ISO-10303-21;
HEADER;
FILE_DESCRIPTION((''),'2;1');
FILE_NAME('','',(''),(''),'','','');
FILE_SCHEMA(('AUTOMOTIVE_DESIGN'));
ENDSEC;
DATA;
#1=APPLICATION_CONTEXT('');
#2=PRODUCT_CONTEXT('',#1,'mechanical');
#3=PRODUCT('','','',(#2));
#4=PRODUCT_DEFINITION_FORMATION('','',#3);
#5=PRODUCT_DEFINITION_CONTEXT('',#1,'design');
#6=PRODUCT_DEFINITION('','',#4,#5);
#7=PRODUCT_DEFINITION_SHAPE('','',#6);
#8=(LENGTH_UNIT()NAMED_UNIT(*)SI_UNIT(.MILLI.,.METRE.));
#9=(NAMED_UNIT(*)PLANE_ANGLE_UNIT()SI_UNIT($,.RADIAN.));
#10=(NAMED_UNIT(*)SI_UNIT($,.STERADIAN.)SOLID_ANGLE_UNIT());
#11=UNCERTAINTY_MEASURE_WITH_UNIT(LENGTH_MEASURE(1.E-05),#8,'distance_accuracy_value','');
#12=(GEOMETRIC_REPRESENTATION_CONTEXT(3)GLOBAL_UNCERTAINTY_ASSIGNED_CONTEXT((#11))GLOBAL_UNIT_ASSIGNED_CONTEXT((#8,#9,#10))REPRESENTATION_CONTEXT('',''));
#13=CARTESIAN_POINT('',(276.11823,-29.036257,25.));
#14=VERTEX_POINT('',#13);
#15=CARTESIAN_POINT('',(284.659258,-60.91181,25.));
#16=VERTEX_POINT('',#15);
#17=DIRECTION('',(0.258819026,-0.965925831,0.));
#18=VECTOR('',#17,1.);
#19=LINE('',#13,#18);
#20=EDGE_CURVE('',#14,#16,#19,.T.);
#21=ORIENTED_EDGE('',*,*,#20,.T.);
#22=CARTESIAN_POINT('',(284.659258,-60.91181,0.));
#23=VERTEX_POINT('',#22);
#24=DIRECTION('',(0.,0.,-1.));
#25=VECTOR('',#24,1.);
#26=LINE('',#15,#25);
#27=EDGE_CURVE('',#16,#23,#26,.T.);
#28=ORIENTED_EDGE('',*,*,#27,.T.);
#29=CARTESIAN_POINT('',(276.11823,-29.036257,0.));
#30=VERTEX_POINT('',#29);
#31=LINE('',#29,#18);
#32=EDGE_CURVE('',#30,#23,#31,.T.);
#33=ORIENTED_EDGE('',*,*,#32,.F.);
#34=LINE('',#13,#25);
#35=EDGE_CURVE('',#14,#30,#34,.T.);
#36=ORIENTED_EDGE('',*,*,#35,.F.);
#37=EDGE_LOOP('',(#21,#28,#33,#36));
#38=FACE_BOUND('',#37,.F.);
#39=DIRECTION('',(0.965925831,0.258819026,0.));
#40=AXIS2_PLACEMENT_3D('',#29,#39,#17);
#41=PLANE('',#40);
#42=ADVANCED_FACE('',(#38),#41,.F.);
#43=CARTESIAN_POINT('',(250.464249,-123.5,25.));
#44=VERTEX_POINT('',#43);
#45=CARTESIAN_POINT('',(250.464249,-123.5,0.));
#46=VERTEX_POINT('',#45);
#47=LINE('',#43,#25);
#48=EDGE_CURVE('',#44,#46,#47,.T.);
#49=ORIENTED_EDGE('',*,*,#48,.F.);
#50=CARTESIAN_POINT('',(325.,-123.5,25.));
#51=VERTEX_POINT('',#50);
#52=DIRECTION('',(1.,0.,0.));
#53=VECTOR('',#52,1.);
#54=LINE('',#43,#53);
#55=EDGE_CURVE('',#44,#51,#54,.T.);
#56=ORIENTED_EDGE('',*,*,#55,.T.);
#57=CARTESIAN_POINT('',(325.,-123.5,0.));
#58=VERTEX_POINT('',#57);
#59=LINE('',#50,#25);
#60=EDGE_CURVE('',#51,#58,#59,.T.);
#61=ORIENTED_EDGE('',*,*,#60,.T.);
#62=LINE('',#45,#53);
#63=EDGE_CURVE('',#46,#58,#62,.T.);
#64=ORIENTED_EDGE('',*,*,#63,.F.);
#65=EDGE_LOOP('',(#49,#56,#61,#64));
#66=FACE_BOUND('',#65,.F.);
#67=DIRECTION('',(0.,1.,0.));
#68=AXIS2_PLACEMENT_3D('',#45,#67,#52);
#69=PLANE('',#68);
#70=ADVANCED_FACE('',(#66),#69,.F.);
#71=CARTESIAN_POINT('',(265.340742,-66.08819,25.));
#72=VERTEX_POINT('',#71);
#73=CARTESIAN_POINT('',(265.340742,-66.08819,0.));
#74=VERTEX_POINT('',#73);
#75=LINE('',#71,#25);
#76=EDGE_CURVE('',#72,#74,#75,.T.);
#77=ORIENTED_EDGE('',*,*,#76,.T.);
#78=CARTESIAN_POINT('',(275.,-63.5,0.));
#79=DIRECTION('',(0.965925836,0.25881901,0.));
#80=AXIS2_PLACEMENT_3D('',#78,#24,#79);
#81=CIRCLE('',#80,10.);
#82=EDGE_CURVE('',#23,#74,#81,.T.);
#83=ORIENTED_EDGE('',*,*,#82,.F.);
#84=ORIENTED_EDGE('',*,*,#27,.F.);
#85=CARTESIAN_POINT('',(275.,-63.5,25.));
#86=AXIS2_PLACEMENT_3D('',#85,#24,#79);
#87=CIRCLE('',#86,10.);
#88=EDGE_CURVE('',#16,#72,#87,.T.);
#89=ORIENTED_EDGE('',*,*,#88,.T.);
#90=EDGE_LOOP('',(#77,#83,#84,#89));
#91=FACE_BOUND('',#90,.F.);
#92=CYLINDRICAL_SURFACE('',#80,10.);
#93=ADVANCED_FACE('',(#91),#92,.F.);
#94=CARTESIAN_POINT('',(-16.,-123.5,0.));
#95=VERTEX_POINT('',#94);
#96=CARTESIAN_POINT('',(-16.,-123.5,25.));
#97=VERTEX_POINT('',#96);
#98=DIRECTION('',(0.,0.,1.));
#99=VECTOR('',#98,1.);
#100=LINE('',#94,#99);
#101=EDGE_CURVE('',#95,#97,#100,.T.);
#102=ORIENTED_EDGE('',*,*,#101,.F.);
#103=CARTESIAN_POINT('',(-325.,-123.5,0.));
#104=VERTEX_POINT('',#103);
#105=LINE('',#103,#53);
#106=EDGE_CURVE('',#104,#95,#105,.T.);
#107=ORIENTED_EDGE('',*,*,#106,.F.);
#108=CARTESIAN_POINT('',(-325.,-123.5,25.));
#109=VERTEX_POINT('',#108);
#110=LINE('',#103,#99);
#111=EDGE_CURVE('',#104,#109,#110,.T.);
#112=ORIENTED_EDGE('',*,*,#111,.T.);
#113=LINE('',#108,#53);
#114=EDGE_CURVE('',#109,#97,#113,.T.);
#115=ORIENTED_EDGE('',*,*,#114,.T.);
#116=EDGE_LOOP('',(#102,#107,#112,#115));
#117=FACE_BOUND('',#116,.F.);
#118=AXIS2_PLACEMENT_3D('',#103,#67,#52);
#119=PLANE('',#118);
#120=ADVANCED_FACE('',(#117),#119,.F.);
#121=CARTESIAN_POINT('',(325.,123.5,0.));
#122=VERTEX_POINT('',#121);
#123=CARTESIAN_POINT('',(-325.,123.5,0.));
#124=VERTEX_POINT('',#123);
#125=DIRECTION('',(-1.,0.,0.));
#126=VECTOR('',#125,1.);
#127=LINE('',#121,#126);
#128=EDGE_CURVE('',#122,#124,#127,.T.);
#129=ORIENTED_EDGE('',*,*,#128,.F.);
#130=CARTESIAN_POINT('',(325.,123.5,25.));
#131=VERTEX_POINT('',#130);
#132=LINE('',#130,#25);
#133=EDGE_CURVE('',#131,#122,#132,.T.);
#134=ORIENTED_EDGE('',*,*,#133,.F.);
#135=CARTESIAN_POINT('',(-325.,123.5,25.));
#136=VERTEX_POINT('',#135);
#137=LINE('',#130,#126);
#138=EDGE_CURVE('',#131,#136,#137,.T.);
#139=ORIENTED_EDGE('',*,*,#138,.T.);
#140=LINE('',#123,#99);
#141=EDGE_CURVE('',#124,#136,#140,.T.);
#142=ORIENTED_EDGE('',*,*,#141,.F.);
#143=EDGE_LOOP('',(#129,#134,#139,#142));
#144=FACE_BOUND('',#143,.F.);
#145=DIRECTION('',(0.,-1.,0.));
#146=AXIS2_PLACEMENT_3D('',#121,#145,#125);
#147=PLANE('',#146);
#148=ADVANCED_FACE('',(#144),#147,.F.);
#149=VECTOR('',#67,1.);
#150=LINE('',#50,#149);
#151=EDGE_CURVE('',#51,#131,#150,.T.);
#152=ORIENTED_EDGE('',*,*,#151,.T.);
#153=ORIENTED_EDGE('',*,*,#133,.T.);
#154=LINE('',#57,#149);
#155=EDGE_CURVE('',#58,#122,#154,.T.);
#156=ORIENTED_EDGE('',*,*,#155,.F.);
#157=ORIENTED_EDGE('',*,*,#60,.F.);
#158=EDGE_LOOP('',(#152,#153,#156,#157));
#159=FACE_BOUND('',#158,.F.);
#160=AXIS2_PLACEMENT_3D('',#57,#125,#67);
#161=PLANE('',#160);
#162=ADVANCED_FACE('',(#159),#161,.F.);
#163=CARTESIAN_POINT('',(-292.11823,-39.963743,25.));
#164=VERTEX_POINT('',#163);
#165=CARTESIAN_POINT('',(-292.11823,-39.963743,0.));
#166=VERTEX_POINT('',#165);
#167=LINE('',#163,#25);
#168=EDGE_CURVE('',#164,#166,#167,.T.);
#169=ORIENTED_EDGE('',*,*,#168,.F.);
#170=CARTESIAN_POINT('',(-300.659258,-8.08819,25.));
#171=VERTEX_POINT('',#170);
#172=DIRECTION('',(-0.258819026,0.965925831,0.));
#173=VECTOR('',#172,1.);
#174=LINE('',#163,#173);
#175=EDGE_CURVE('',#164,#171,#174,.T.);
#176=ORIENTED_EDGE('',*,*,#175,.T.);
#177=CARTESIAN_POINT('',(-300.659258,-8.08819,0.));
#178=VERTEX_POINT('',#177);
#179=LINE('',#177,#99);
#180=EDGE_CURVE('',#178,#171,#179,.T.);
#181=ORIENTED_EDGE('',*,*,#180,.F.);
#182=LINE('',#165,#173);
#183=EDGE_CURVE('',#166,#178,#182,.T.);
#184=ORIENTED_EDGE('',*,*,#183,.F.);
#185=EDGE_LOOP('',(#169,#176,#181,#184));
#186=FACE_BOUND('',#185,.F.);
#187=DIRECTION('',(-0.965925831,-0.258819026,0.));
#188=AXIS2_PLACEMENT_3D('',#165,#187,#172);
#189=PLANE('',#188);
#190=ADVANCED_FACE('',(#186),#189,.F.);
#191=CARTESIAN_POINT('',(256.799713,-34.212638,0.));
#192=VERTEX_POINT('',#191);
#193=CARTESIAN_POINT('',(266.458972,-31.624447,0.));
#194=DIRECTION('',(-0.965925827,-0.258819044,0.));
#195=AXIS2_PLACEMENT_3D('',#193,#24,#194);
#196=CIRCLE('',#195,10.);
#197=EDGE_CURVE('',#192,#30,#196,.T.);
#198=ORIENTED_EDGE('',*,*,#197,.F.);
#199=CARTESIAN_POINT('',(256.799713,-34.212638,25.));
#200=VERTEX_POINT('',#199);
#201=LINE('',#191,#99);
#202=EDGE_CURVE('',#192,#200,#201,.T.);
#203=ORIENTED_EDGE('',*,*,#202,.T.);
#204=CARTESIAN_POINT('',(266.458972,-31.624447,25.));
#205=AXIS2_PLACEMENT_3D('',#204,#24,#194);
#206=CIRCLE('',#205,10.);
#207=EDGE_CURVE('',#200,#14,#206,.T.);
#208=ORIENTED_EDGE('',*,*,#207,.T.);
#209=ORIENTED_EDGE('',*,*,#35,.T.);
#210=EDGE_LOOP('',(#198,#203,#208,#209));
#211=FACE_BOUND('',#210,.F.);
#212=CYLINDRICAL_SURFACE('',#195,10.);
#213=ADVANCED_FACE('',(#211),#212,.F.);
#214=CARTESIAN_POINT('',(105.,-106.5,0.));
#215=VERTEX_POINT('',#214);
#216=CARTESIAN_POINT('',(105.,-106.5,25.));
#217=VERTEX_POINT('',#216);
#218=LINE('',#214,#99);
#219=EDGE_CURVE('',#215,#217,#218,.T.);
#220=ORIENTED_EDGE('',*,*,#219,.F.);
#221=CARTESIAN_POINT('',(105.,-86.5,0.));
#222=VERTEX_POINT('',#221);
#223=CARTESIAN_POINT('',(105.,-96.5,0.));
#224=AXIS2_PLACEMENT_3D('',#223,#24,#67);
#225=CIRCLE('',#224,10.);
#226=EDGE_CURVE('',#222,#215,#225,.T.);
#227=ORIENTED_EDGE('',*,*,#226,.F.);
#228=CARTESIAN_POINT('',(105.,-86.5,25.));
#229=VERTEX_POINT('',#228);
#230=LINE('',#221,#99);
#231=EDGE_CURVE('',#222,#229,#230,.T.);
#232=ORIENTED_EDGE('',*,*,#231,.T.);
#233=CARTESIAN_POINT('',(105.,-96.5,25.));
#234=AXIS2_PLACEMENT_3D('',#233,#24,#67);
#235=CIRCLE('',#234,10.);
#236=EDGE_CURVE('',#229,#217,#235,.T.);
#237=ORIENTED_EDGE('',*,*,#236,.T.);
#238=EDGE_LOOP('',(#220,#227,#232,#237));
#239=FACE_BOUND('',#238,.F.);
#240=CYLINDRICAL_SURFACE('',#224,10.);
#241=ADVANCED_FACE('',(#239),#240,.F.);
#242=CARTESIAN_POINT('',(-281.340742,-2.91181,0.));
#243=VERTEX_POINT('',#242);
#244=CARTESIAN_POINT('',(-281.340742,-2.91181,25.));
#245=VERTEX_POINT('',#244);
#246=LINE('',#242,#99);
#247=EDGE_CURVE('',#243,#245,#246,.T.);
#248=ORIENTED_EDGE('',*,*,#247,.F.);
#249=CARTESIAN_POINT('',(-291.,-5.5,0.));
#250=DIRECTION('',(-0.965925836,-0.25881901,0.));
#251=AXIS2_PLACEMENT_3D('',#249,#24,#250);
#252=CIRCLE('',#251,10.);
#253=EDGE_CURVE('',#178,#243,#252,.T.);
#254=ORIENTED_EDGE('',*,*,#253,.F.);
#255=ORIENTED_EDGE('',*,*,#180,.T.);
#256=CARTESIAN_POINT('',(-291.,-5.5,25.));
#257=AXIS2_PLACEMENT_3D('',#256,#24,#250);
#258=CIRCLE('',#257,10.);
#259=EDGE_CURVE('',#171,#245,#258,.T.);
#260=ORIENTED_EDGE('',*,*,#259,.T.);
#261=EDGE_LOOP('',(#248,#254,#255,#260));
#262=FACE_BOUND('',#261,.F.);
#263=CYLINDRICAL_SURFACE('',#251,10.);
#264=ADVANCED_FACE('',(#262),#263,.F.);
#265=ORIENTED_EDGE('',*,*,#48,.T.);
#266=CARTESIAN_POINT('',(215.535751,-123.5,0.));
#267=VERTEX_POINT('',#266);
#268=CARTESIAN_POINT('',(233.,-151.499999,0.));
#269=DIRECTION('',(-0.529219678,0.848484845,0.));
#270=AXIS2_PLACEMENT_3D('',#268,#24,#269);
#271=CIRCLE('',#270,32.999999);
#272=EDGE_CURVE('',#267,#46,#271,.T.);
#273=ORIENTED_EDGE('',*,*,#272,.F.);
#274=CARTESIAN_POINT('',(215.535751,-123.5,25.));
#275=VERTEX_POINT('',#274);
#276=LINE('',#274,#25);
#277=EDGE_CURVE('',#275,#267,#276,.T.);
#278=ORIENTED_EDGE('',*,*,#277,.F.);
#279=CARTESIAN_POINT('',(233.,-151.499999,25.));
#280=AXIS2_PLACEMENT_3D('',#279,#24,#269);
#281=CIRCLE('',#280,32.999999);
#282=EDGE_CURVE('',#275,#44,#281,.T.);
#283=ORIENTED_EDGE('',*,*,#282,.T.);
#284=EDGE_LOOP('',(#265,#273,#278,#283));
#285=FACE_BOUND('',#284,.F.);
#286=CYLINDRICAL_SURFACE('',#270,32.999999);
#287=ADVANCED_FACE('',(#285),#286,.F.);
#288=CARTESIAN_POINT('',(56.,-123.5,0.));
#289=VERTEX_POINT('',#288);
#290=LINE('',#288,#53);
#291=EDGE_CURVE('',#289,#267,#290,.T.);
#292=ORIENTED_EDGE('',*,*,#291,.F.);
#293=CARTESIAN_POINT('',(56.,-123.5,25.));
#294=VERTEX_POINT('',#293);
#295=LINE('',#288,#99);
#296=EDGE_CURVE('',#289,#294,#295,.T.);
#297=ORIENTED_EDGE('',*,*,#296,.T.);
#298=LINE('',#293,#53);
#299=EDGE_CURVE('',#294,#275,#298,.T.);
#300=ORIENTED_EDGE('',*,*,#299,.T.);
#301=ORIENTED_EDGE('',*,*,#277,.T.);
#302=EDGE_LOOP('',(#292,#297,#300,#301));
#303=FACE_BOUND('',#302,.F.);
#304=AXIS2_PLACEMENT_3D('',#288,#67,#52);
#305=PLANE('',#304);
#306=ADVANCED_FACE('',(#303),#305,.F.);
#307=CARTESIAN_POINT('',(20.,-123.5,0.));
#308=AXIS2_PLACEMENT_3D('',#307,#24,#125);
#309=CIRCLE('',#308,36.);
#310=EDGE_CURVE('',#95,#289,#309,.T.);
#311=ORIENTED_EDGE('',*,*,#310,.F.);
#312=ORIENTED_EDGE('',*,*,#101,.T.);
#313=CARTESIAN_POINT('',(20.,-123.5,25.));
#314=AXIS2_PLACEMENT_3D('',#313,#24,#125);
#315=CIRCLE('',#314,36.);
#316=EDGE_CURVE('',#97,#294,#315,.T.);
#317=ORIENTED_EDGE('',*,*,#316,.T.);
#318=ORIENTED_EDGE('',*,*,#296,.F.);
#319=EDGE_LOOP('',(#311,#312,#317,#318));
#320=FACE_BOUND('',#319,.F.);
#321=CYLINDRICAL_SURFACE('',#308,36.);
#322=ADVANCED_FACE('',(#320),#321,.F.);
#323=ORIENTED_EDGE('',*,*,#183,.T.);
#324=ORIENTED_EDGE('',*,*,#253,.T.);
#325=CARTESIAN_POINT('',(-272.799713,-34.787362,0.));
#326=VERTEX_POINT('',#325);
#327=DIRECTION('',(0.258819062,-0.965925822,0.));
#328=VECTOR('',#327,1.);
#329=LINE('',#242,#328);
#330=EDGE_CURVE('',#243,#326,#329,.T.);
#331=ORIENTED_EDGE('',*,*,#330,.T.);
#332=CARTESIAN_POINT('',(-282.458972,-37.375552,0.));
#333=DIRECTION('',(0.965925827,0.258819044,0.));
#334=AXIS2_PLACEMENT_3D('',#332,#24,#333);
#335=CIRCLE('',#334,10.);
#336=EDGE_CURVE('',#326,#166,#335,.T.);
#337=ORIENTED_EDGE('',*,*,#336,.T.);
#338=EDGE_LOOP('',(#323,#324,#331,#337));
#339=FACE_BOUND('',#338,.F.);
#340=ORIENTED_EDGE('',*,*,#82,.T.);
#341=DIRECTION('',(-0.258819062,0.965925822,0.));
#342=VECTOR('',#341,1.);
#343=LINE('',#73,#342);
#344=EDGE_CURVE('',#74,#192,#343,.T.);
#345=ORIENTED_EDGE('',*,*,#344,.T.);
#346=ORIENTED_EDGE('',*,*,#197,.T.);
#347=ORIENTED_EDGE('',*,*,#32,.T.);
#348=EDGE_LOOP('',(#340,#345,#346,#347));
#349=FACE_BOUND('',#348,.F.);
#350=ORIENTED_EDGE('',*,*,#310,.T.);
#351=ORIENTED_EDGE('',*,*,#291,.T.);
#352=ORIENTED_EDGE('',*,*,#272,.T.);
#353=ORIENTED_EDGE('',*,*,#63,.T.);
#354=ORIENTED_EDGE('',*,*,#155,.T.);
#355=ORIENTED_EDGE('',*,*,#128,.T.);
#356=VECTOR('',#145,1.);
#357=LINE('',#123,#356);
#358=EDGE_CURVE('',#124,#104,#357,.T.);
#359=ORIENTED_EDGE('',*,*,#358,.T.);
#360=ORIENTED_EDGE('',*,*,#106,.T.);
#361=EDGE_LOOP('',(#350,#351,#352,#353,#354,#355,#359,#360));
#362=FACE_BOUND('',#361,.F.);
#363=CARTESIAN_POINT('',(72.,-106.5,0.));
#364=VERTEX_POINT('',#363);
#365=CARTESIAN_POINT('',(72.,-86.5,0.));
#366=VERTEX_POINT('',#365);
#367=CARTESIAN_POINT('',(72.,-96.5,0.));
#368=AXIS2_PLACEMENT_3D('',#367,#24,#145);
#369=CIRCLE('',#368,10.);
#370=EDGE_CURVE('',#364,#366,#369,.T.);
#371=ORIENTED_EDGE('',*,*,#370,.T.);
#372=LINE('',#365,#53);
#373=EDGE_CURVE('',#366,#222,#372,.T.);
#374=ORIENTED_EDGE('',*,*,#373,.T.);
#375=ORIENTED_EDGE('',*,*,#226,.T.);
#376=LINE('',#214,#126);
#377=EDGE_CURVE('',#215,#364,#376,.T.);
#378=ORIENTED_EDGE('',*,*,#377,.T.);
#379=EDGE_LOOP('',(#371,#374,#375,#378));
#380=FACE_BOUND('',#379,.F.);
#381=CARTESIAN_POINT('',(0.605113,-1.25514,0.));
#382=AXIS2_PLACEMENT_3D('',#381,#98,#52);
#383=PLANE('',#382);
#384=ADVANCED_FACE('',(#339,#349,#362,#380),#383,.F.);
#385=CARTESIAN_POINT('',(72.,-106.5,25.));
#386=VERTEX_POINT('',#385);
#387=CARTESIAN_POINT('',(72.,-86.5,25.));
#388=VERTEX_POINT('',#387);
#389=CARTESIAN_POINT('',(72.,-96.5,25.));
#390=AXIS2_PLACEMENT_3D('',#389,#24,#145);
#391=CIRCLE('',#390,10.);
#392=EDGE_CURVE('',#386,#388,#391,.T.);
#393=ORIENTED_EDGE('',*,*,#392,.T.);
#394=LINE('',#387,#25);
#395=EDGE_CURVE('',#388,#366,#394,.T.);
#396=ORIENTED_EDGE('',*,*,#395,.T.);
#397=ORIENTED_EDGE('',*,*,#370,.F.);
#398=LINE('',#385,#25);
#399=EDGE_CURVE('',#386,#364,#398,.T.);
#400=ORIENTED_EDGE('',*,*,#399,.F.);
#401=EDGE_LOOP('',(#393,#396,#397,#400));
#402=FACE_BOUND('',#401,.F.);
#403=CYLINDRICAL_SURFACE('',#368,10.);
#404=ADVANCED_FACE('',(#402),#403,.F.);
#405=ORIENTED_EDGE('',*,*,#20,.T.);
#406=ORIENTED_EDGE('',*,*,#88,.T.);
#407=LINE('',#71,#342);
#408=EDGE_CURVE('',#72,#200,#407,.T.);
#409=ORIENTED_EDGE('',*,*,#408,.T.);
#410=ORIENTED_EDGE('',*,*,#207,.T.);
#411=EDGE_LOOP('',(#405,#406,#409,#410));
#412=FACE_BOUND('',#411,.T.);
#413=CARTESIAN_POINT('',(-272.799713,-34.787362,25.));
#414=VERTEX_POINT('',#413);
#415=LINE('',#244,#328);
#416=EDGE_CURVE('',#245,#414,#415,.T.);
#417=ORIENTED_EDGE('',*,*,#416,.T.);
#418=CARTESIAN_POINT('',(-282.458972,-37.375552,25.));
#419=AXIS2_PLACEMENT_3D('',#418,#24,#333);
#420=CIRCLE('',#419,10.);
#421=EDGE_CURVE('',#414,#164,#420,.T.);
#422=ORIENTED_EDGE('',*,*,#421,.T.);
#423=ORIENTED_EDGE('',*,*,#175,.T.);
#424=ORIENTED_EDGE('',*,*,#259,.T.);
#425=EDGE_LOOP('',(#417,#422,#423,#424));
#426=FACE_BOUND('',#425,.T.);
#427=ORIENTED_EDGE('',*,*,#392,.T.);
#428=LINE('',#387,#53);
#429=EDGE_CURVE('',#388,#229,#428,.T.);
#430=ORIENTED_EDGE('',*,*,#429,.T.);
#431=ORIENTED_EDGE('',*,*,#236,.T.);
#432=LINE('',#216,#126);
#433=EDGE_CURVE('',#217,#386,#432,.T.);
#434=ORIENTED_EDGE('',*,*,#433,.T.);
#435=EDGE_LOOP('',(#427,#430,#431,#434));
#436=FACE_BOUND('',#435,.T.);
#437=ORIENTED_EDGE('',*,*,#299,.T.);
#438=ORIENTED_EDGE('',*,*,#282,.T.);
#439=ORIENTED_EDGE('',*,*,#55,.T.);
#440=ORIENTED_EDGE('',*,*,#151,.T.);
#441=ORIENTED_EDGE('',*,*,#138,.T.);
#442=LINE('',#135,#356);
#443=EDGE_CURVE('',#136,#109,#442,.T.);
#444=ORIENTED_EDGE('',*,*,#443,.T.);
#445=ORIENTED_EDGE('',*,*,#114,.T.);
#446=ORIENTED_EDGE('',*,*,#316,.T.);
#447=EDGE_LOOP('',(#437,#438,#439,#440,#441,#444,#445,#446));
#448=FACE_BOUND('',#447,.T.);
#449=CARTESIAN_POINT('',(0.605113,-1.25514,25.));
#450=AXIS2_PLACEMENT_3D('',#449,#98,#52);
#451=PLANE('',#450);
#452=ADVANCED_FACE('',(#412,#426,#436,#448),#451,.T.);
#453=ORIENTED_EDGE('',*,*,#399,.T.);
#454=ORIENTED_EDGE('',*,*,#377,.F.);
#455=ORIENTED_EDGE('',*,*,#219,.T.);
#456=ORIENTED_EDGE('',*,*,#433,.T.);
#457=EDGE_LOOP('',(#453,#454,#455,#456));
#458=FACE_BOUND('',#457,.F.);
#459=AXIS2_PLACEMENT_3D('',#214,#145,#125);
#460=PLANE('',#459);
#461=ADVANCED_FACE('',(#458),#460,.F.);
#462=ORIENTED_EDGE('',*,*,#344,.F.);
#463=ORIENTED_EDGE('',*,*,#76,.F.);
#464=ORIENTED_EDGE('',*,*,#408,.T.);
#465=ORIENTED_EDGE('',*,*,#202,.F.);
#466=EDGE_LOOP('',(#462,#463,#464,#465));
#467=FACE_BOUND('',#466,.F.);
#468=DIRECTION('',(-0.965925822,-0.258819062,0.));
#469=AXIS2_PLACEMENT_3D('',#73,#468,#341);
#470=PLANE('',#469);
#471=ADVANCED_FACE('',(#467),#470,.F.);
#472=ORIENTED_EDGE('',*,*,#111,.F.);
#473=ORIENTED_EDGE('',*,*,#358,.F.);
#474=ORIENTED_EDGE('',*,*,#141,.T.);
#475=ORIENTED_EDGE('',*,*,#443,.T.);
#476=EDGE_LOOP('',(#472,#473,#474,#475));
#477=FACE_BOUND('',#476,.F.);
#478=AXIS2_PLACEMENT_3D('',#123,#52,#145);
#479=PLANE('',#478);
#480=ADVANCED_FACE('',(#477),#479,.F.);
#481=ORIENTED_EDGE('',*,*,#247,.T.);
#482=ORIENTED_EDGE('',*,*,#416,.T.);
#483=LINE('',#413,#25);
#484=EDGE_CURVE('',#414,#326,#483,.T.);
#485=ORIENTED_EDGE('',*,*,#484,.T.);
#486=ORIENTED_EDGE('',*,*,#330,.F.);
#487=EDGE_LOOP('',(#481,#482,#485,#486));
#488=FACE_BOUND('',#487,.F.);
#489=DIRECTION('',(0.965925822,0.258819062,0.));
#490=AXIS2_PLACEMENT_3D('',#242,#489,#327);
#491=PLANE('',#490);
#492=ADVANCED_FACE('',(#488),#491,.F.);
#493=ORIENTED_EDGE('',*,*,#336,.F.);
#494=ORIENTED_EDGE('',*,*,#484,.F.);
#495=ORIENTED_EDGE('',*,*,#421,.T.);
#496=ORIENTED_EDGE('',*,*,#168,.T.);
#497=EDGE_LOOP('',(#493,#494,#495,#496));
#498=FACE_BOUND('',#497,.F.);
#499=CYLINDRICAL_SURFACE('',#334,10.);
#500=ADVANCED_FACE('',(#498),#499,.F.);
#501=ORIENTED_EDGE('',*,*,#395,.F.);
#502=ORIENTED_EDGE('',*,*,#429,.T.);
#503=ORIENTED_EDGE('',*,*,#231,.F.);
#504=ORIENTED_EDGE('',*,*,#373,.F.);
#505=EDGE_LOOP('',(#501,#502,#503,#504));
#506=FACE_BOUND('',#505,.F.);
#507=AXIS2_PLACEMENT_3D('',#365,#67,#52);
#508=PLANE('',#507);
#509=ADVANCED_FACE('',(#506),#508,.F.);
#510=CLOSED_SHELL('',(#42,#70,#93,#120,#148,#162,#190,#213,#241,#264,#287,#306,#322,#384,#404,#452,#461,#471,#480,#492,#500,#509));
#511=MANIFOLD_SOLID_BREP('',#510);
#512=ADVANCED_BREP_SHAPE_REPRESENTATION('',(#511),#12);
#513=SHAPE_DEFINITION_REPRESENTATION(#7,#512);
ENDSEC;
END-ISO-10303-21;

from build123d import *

# Parameters (mm, degrees)
F1_DEPTH = 20
F2_DEPTH = 25


with BuildPart() as f1:
    # F0 (on Top) → F1 (new body)
    with BuildSketch(Plane.XY):
        with BuildLine():
            Line((325, 123.5), (-325, 123.5))
            Line((-325, 123.5), (-325, -123.5))
            Line((-325, -123.5), (-16, -123.5))
            ThreePointArc((-16, -123.5), (20, -87.5), (56, -123.5))
            Line((56, -123.5), (215.535751, -123.5))
            ThreePointArc((215.535751, -123.5), (233, -118.5), (250.464249, -123.5))
            Line((250.464249, -123.5), (325, -123.5))
            Line((325, -123.5), (325, 123.5))
        make_face()
        with BuildLine():
            ThreePointArc((-300.659258, -8.08819), (-293.58819, 4.159258), (-281.340742, -2.91181))
            Line((-281.340742, -2.91181), (-272.799713, -34.787362))
            ThreePointArc((-272.799713, -34.787362), (-279.870781, -47.034811), (-292.11823, -39.963743))
            Line((-292.11823, -39.963743), (-300.659258, -8.08819))
        make_face(mode=Mode.SUBTRACT)
        with BuildLine():
            ThreePointArc((105, -86.5), (115, -96.5), (105, -106.5))
            Line((105, -106.5), (72, -106.5))
            ThreePointArc((72, -106.5), (62, -96.5), (72, -86.5))
            Line((72, -86.5), (105, -86.5))
        make_face(mode=Mode.SUBTRACT)
        with BuildLine():
            ThreePointArc((256.799713, -34.212638), (263.870781, -21.965189), (276.11823, -29.036257))
            Line((276.11823, -29.036257), (284.659258, -60.91181))
            ThreePointArc((284.659258, -60.91181), (277.58819, -73.159258), (265.340742, -66.08819))
            Line((265.340742, -66.08819), (256.799713, -34.212638))
        make_face(mode=Mode.SUBTRACT)
    extrude(amount=F1_DEPTH)

    # F0 (on Top) → F2 (join)
    with BuildSketch(Plane.XY):
        with BuildLine():
            Line((325, 123.5), (-325, 123.5))
            Line((-325, 123.5), (-325, -123.5))
            Line((-325, -123.5), (-16, -123.5))
            ThreePointArc((-16, -123.5), (20, -87.5), (56, -123.5))
            Line((56, -123.5), (215.535751, -123.5))
            ThreePointArc((215.535751, -123.5), (233, -118.5), (250.464249, -123.5))
            Line((250.464249, -123.5), (325, -123.5))
            Line((325, -123.5), (325, 123.5))
        make_face()
        with BuildLine():
            ThreePointArc((-300.659258, -8.08819), (-293.58819, 4.159258), (-281.340742, -2.91181))
            Line((-281.340742, -2.91181), (-272.799713, -34.787362))
            ThreePointArc((-272.799713, -34.787362), (-279.870781, -47.034811), (-292.11823, -39.963743))
            Line((-292.11823, -39.963743), (-300.659258, -8.08819))
        make_face(mode=Mode.SUBTRACT)
        with BuildLine():
            ThreePointArc((105, -86.5), (115, -96.5), (105, -106.5))
            Line((105, -106.5), (72, -106.5))
            ThreePointArc((72, -106.5), (62, -96.5), (72, -86.5))
            Line((72, -86.5), (105, -86.5))
        make_face(mode=Mode.SUBTRACT)
        with BuildLine():
            ThreePointArc((256.799713, -34.212638), (263.870781, -21.965189), (276.11823, -29.036257))
            Line((276.11823, -29.036257), (284.659258, -60.91181))
            ThreePointArc((284.659258, -60.91181), (277.58819, -73.159258), (265.340742, -66.08819))
            Line((265.340742, -66.08819), (256.799713, -34.212638))
        make_face(mode=Mode.SUBTRACT)
    extrude(amount=F2_DEPTH)


solid = f1.part
